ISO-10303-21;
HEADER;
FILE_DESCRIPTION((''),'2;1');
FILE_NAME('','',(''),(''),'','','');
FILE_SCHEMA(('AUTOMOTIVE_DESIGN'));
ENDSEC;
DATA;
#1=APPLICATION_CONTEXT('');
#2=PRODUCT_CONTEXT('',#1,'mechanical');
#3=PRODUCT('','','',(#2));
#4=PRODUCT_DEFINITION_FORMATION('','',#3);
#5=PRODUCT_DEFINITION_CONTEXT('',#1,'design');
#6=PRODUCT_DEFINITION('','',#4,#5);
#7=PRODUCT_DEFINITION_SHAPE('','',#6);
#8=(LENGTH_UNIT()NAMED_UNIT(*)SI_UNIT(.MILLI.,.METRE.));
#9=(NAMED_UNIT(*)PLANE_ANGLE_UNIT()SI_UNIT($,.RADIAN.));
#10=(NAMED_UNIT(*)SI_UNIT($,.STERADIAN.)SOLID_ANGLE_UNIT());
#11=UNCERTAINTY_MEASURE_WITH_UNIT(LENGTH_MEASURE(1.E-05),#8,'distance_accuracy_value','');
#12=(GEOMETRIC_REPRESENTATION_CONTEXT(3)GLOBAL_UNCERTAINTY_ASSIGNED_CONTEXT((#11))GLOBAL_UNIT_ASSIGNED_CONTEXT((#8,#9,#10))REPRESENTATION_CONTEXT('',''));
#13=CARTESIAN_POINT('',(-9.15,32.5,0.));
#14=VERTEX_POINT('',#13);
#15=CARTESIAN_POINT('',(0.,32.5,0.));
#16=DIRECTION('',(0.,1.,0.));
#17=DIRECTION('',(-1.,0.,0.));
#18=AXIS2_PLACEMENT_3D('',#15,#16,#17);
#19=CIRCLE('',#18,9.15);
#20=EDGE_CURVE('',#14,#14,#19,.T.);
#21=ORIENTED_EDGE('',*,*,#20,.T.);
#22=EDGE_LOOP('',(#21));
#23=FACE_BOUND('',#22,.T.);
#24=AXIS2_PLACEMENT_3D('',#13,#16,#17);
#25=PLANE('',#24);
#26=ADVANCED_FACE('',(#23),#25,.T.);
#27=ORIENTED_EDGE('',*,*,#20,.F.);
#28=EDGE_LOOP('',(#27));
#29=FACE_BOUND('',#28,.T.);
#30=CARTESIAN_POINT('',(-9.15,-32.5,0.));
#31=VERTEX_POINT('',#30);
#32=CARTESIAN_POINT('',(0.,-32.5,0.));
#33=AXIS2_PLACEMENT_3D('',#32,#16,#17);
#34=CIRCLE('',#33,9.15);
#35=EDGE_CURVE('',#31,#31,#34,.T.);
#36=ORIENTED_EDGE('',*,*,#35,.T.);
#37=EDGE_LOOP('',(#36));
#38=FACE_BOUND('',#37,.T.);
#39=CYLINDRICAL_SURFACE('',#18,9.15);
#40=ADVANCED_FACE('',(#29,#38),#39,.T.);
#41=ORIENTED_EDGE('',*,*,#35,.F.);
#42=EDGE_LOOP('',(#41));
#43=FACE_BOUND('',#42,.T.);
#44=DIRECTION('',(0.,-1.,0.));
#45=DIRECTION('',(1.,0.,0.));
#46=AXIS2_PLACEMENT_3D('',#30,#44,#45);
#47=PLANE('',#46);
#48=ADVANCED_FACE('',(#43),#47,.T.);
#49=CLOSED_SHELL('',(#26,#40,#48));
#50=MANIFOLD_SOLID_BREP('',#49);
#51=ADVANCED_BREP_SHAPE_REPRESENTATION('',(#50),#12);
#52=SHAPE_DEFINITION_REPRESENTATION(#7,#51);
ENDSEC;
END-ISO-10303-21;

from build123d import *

# Parameters (mm, degrees)
SKETCH1_W = 9.15
SKETCH1_H = 65


with BuildPart() as part:
    # Sketch1 → Revolve1 (revolve)
    with BuildSketch(Plane.XY):
        with Locations((-4.575, 0)):
            Rectangle(SKETCH1_W, SKETCH1_H)
    revolve(axis=Axis((0, 32.5, 0), (0, -1, 0)))


solid = part.part
